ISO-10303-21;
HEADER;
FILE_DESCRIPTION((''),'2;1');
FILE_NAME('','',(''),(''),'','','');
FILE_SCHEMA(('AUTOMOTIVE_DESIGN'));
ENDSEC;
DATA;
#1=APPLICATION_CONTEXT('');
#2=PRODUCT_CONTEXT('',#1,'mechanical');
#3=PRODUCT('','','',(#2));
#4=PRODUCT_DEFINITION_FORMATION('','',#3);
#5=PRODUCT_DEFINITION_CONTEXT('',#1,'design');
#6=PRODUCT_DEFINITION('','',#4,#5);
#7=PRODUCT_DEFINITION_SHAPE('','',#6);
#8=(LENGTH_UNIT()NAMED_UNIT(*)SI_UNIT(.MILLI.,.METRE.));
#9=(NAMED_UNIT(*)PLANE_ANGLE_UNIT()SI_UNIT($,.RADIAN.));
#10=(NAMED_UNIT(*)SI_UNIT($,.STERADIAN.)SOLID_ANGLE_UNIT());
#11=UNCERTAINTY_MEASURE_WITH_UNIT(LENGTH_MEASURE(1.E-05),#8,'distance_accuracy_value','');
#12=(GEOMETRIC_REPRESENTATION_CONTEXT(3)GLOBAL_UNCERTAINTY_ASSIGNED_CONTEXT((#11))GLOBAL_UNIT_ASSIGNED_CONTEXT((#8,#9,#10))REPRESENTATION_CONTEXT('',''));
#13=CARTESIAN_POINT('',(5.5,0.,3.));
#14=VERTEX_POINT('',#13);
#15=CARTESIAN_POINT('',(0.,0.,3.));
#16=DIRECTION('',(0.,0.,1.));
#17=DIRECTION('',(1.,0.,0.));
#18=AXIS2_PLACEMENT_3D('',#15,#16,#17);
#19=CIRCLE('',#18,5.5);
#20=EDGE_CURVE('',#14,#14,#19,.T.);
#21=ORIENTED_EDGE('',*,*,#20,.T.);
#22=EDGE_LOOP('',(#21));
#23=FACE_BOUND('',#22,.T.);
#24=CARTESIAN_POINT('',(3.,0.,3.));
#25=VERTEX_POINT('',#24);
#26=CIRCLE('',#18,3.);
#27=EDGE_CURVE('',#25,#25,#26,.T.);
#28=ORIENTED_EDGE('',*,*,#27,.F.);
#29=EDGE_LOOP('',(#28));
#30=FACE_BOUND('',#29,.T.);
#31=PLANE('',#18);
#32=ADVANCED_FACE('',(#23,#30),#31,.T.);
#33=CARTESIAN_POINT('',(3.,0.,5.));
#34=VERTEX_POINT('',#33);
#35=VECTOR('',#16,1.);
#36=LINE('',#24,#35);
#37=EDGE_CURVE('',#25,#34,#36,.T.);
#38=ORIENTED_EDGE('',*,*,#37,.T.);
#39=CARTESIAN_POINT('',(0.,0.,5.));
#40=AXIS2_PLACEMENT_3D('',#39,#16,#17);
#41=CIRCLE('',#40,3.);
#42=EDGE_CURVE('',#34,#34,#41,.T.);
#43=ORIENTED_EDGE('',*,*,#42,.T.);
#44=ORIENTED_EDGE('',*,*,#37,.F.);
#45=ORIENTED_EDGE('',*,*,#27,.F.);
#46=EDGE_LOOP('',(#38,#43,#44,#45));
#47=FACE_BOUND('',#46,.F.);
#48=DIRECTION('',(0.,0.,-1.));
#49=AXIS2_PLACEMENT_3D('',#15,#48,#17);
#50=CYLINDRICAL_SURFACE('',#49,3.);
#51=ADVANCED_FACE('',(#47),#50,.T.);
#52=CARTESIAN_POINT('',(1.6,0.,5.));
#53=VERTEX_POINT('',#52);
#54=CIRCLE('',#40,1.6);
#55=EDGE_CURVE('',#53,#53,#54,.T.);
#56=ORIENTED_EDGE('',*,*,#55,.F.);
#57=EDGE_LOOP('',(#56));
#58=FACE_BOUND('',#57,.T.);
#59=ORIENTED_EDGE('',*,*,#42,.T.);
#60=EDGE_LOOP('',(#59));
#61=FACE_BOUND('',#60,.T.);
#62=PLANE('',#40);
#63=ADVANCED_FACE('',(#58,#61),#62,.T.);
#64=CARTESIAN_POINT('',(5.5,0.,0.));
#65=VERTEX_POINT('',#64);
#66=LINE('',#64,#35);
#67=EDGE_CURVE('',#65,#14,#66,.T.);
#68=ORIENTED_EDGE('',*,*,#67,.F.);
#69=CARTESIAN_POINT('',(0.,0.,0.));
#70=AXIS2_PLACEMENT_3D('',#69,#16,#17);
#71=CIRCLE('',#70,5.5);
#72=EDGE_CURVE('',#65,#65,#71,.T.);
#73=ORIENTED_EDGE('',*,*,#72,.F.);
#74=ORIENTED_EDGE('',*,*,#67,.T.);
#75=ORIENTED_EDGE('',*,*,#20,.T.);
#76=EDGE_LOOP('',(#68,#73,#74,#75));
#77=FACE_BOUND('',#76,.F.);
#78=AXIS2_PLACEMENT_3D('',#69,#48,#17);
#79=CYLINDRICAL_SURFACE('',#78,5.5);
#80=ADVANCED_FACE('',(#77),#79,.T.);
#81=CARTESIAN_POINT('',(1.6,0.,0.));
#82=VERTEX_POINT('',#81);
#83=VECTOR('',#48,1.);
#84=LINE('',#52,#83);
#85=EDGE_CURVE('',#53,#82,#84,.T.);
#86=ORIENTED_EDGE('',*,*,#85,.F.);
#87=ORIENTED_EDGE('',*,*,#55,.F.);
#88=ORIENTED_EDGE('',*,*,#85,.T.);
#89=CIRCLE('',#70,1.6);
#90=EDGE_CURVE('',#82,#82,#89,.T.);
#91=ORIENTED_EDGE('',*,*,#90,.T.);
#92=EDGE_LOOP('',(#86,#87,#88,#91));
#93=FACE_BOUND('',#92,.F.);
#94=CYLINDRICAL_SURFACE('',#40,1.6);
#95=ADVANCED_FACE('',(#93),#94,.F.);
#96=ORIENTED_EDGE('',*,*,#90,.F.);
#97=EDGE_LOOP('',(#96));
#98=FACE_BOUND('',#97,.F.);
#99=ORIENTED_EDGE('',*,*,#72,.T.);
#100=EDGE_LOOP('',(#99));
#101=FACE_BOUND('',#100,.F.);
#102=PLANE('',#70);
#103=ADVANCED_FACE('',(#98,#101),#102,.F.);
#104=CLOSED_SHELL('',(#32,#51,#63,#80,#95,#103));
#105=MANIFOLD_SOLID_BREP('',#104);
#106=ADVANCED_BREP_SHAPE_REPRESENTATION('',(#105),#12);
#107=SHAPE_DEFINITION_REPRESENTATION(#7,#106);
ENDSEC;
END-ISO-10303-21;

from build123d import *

# Parameters (mm, degrees)
SKETCH_R     = 5.5
PAD_DEPTH    = 3
SKETCH001_R  = 3
PAD001_DEPTH = 2
SKETCH002_R  = 1.6
POCKET_DEPTH = 5


with BuildPart() as part:
    # Sketch → Pad (new body)
    with BuildSketch(Plane.XY):
        Circle(SKETCH_R)
    extrude(amount=PAD_DEPTH)

    # Sketch001 (on Face3 of Pad) → Pad001 (join)
    with BuildSketch(Plane.XY.offset(3)):
        Circle(SKETCH001_R)
    extrude(amount=PAD001_DEPTH)

    # Sketch002 (on Face5 of Pad001) → Pocket (cut)
    with BuildSketch(Plane.XY.offset(5)):
        Circle(SKETCH002_R)
    extrude(amount=-POCKET_DEPTH, mode=Mode.SUBTRACT)


solid = part.part
